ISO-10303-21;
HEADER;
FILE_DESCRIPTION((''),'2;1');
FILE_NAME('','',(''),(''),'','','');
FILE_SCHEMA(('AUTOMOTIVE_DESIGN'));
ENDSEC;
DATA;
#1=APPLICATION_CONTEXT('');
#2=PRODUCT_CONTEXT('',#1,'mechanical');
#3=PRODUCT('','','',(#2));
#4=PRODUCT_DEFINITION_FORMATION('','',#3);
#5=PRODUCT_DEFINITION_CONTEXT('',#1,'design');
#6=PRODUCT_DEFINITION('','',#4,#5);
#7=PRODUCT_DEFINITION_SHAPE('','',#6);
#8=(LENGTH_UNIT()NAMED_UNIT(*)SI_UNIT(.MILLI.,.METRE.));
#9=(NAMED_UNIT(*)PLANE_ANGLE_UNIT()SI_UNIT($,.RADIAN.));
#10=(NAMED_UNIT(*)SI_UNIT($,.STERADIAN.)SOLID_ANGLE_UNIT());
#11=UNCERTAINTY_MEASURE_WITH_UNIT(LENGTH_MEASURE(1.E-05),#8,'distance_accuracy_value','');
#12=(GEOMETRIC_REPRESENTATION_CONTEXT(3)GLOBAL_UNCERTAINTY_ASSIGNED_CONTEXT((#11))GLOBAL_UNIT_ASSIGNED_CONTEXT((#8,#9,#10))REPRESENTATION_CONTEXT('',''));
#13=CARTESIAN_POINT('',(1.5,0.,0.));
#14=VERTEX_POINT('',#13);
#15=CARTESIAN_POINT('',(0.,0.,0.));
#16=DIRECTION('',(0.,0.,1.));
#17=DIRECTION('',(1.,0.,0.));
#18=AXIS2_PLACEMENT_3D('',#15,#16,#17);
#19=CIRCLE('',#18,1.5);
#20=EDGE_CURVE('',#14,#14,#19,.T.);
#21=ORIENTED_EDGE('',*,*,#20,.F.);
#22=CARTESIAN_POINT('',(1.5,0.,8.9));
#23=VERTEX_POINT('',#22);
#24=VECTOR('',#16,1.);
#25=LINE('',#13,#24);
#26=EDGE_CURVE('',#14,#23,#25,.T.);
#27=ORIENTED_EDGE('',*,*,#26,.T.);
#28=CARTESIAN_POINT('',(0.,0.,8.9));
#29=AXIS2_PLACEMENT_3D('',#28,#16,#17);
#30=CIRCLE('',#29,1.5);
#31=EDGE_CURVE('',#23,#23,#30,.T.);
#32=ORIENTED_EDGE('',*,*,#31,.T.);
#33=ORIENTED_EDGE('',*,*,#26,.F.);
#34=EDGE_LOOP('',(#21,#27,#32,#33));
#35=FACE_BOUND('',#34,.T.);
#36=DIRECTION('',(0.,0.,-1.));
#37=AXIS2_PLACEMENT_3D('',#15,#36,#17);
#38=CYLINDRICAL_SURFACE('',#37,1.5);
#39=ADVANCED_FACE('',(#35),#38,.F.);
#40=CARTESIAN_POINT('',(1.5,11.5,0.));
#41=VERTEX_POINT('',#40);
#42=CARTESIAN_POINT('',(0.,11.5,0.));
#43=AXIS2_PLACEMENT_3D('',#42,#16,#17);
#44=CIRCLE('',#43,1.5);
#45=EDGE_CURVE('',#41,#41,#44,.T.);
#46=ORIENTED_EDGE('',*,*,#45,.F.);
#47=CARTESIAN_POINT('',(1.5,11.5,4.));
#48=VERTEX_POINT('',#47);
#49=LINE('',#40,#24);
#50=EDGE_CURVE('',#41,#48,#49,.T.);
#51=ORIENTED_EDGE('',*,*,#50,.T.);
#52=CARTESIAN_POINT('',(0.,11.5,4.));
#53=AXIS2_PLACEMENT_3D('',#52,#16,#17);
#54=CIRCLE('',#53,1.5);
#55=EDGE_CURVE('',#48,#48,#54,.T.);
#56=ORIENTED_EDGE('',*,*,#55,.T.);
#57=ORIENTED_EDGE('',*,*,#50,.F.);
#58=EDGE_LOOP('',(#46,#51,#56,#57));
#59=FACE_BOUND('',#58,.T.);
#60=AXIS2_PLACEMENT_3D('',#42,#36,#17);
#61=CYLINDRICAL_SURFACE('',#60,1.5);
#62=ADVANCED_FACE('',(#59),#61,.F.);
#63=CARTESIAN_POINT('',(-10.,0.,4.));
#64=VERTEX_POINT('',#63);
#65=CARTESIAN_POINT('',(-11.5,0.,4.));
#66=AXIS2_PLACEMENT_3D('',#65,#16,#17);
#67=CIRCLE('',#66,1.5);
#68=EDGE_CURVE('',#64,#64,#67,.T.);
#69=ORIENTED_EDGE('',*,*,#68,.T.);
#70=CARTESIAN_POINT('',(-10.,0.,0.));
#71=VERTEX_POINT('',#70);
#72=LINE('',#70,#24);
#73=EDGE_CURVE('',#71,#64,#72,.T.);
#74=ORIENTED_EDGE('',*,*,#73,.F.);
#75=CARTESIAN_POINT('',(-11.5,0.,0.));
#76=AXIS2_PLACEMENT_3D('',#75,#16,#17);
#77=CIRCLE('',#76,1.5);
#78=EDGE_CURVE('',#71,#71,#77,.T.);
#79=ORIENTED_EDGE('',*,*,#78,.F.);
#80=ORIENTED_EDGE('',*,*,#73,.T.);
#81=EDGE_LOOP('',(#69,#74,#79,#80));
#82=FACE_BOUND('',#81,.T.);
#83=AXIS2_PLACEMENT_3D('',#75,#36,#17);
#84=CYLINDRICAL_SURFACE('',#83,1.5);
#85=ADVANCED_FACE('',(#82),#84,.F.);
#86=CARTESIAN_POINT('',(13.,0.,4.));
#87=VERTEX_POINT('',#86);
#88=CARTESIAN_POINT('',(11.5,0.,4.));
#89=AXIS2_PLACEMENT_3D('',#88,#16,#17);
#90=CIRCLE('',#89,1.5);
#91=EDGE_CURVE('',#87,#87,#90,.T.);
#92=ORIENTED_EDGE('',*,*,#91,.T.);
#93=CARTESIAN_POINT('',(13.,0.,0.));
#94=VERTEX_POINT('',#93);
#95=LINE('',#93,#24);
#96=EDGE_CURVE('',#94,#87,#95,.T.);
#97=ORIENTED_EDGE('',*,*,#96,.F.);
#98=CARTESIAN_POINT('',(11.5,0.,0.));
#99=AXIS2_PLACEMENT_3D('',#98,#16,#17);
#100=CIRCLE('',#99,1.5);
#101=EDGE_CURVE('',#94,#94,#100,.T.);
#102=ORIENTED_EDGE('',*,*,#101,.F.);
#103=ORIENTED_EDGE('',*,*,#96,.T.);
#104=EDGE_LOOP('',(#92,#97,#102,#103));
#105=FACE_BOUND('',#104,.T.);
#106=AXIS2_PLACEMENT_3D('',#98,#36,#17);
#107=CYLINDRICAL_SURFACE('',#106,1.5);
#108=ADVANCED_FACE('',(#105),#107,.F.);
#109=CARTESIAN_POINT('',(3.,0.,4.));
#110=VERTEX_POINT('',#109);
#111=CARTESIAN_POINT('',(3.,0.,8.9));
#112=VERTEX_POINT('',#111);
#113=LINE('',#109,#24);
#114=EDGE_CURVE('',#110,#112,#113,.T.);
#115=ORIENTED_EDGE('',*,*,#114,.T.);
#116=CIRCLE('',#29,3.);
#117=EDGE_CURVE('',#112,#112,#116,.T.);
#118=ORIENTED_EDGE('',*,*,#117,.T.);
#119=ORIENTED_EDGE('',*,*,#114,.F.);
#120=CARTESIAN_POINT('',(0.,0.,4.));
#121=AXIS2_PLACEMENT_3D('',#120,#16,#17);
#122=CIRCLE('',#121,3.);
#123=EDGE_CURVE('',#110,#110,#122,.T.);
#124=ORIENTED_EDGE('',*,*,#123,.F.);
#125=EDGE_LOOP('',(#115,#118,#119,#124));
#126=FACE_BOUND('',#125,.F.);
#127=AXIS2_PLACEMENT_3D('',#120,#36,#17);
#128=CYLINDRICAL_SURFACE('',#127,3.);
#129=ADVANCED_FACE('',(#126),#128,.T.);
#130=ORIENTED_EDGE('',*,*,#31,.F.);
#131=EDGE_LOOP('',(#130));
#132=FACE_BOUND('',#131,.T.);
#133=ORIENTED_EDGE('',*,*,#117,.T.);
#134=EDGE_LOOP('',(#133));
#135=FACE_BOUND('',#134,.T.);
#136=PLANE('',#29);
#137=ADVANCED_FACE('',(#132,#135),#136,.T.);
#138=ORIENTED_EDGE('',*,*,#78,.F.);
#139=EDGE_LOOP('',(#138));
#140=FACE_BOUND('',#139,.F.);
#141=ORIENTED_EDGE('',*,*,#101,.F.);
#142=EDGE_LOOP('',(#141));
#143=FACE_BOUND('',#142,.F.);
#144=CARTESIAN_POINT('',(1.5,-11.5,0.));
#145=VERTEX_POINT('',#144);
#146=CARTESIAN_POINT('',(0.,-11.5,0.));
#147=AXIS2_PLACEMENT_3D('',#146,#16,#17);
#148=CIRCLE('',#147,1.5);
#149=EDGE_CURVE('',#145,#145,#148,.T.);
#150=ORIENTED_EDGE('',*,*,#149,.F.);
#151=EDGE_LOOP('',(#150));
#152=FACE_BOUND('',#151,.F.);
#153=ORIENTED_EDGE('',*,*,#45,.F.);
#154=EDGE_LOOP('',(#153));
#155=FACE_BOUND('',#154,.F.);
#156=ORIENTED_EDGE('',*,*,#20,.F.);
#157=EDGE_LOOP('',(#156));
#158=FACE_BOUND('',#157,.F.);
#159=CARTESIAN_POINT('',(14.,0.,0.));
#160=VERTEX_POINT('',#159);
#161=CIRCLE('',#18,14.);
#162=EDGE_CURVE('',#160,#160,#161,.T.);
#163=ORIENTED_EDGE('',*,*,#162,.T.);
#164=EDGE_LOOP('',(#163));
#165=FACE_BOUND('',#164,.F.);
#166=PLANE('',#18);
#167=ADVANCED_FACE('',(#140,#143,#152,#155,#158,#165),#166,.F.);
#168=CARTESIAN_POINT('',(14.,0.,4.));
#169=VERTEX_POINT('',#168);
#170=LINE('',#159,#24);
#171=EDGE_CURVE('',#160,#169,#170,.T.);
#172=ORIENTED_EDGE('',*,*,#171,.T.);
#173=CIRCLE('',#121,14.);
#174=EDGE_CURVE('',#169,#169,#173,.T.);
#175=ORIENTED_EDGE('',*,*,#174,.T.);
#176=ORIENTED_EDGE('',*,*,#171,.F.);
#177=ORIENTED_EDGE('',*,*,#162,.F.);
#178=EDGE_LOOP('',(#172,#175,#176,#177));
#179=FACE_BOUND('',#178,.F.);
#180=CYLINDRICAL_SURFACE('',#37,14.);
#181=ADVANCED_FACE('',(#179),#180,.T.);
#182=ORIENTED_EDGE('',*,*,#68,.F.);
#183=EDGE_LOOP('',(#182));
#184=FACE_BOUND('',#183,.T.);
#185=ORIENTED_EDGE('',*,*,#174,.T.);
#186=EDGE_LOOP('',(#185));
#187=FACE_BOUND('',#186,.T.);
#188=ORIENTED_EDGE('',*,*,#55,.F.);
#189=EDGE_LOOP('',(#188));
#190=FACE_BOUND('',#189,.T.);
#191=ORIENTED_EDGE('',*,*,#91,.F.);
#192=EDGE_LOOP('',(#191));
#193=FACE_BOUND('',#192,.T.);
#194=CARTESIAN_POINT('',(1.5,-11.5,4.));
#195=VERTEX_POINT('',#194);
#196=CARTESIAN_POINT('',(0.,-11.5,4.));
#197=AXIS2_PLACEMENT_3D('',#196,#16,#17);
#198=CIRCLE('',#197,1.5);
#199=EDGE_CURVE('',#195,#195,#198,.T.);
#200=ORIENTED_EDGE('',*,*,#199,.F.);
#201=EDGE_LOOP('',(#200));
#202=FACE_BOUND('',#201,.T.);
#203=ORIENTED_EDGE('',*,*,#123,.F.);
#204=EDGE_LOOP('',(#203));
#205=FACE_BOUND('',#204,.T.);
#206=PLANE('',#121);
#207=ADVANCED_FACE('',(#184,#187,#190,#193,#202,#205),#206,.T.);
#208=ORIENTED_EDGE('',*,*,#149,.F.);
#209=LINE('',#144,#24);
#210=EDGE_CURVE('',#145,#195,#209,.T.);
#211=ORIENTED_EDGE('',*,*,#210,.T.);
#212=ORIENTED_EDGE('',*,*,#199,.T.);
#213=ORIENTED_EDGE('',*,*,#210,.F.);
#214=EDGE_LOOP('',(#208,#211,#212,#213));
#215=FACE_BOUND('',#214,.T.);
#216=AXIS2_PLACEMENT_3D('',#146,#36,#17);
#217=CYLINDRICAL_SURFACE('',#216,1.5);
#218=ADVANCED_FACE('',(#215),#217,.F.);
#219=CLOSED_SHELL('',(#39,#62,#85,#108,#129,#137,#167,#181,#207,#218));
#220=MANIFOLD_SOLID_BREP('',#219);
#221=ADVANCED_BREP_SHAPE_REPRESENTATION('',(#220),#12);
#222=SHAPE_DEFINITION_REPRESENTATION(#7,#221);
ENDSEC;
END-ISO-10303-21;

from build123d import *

# Parameters (mm, degrees)
SKETCH003_R   = 1.5
PAD003_DEPTH  = 8.9
SKETCH002_R   = 3
PAD002_DEPTH  = 4.9
SKETCH001_R   = 14
SKETCH001_R_2 = 1.5
PAD001_DEPTH  = 4


with BuildPart() as body003:
    # Sketch003 → Pad003 (new body)
    with BuildSketch(Plane.XY):
        Circle(SKETCH003_R)
    extrude(amount=PAD003_DEPTH)


with BuildPart() as body002:
    # Sketch002 (on DatumPlane) → Pad002 (new body)
    with BuildSketch(Plane.XY.offset(4)):
        Circle(SKETCH002_R)
    extrude(amount=PAD002_DEPTH)


with BuildPart() as cut:
    # Sketch001 → Pad001 (new body)
    with BuildSketch(Plane.XY):
        Circle(SKETCH001_R)
        with Locations((-11.5, 0)):
            Circle(SKETCH001_R_2, mode=Mode.SUBTRACT)
        with Locations((11.5, 0)):
            Circle(SKETCH001_R_2, mode=Mode.SUBTRACT)
        with Locations((0, 11.5)):
            Circle(SKETCH001_R_2, mode=Mode.SUBTRACT)
        with Locations((0, -11.5)):
            Circle(SKETCH001_R_2, mode=Mode.SUBTRACT)
    extrude(amount=PAD001_DEPTH)

    # Fusion: union Body002
    add(body002.part)

    # Cut: cut Body003
    add(body003.part, mode=Mode.SUBTRACT)


solid = cut.part
